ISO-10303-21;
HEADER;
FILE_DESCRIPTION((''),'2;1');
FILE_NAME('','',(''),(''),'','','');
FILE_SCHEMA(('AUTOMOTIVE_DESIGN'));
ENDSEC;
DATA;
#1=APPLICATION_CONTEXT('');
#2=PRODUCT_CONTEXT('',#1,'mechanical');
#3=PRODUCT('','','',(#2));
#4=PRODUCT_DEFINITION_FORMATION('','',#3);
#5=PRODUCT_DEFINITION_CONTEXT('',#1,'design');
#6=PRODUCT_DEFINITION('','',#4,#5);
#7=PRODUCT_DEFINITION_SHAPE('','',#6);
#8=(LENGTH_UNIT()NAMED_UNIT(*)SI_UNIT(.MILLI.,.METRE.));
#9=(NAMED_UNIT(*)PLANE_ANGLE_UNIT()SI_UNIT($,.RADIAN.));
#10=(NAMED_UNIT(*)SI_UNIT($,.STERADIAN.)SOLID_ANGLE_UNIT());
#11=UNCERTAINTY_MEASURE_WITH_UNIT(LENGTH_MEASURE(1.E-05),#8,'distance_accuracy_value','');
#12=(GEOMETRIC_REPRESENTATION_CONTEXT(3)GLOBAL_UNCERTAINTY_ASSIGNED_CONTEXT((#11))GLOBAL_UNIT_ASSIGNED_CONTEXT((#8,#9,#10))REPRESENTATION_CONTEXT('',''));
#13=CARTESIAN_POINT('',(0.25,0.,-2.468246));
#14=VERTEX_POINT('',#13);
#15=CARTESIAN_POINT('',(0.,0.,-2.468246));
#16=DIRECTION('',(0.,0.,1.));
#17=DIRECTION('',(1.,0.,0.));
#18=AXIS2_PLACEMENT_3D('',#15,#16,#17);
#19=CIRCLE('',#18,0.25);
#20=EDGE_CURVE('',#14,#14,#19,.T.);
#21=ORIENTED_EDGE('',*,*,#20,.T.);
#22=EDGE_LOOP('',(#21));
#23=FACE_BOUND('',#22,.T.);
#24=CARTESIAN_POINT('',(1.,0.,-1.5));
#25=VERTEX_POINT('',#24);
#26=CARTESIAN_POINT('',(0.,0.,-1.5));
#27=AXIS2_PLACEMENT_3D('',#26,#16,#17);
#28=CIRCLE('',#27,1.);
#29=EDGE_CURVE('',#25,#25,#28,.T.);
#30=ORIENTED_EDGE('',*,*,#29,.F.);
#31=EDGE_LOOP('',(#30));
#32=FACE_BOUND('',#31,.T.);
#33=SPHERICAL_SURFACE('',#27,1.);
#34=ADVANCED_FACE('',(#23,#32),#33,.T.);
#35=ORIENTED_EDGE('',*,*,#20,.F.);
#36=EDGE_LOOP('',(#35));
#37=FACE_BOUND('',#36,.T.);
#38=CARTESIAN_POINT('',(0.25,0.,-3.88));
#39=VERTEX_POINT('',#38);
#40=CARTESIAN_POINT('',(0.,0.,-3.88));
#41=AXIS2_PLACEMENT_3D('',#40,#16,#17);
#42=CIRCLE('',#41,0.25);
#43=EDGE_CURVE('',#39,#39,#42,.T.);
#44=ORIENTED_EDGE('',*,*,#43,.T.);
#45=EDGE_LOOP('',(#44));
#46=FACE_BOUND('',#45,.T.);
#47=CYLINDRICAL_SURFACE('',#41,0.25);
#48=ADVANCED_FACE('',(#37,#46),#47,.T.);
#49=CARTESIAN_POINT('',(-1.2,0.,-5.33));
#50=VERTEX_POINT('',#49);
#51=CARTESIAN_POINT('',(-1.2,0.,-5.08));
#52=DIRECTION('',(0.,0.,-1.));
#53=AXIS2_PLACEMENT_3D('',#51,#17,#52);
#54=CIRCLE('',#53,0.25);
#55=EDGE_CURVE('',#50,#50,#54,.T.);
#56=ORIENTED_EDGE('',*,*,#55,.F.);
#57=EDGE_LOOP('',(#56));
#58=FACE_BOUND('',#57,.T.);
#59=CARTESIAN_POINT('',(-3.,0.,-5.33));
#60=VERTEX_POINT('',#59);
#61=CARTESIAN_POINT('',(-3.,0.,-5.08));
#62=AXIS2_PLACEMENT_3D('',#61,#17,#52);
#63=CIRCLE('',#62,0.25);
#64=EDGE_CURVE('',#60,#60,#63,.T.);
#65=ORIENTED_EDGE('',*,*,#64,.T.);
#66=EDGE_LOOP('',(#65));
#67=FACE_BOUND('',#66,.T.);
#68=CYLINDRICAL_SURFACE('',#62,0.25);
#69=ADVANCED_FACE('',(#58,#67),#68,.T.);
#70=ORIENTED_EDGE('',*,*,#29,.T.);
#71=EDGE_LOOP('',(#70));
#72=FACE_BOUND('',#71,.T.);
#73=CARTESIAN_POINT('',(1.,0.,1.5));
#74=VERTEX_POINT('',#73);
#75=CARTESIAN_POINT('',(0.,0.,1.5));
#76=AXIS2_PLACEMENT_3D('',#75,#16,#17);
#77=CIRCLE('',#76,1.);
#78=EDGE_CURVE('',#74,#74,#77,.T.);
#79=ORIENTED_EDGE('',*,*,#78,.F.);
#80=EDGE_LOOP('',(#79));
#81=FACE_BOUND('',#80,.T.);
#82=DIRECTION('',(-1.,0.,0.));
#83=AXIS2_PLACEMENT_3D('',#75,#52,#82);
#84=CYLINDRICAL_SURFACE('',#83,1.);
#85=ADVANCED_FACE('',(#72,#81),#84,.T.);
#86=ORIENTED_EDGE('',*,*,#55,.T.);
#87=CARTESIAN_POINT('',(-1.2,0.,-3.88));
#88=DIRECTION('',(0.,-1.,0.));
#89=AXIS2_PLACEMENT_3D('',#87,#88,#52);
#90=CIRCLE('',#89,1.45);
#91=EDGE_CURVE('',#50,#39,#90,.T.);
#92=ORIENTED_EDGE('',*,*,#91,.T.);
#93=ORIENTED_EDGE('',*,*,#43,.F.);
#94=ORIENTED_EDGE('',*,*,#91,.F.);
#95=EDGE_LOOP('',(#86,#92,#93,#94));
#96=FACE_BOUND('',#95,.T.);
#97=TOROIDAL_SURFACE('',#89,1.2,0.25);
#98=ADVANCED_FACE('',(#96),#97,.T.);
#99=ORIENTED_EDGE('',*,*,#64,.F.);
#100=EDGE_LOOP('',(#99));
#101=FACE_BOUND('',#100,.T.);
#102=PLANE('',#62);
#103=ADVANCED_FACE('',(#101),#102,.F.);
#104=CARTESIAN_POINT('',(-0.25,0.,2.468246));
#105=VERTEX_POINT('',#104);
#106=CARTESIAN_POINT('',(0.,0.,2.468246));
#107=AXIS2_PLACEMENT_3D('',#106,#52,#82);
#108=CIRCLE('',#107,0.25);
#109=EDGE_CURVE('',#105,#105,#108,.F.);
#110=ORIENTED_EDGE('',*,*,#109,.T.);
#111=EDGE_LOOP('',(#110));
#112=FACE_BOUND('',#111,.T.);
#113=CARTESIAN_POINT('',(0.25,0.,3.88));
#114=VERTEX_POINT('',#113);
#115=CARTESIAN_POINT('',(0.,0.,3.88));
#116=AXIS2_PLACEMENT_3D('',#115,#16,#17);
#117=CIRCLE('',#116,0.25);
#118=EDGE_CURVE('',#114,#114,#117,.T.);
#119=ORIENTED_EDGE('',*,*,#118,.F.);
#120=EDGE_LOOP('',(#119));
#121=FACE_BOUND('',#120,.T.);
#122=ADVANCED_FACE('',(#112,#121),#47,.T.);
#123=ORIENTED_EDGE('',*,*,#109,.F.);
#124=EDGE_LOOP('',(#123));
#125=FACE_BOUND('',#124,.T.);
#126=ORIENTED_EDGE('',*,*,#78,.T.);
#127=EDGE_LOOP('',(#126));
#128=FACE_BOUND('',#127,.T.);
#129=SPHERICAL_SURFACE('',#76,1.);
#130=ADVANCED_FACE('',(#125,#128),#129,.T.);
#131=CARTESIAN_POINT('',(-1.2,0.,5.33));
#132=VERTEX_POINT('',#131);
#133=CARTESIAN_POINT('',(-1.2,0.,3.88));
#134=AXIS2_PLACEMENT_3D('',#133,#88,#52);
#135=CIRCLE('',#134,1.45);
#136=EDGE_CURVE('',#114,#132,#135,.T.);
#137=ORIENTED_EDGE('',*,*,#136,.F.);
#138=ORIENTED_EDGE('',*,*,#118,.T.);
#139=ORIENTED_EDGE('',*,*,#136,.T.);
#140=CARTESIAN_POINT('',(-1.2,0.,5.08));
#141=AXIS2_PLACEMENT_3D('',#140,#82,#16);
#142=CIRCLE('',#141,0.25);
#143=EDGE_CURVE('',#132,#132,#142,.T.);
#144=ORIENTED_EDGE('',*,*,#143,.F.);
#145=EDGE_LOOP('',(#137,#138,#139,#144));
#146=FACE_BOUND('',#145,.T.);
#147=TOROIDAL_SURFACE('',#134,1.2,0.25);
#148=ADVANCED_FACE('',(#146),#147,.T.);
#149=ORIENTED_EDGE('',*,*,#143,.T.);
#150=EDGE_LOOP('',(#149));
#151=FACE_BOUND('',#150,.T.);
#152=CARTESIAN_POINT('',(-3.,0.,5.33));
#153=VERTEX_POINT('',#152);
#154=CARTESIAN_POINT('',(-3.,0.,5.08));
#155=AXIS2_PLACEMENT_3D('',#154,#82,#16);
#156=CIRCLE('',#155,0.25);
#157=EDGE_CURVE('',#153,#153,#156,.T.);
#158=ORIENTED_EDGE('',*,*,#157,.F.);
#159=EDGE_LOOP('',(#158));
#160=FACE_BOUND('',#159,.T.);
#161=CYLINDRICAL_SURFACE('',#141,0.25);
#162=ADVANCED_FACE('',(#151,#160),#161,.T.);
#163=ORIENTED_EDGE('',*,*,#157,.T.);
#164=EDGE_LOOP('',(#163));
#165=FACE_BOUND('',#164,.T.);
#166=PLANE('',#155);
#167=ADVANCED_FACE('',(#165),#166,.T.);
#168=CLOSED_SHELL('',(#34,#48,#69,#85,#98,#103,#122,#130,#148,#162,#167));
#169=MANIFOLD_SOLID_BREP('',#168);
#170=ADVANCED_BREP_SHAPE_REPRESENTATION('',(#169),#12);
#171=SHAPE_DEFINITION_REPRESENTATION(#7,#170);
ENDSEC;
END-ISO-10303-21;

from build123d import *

# Parameters (mm, degrees)
SKETCH1_R           = 1
BOSS_EXTRUDE1_DEPTH = 1.5
DOME1_FACE_RADIUS   = 1
DOME1_HEIGHT        = 1
DOME2_FACE_RADIUS   = 1
DOME2_HEIGHT        = 1
SKETCH4_R           = 0.25


with BuildPart() as part:
    # Sketch1 → Boss-Extrude1 (new, symmetric)
    with BuildSketch(Plane.XY):
        Circle(SKETCH1_R)
    extrude(amount=BOSS_EXTRUDE1_DEPTH, both=True)

    # Dome1: a dome of height H over a round flat face of radius A is a cap of a sphere of radius (A * A + H * H) / (2 * H)
    dome1_r = (DOME1_FACE_RADIUS * DOME1_FACE_RADIUS + DOME1_HEIGHT * DOME1_HEIGHT) / (2 * DOME1_HEIGHT)
    dome1_base = Plane((0, 0, 1.5), z_dir=(0, 0, 1))
    with Locations(dome1_base.offset(DOME1_HEIGHT - dome1_r)):
        dome1_ball = Sphere(dome1_r, mode=Mode.PRIVATE)
    add(split(dome1_ball, bisect_by=dome1_base, keep=Keep.TOP, mode=Mode.PRIVATE))

    # Dome2: a dome of height H over a round flat face of radius A is a cap of a sphere of radius (A * A + H * H) / (2 * H)
    dome2_r = (DOME2_FACE_RADIUS * DOME2_FACE_RADIUS + DOME2_HEIGHT * DOME2_HEIGHT) / (2 * DOME2_HEIGHT)
    dome2_base = Plane((0, 0, -1.5), z_dir=(0, 0, -1))
    with Locations(dome2_base.offset(DOME2_HEIGHT - dome2_r)):
        dome2_ball = Sphere(dome2_r, mode=Mode.PRIVATE)
    add(split(dome2_ball, bisect_by=dome2_base, keep=Keep.TOP, mode=Mode.PRIVATE))

    # Sweep1: sweep along a path in Sketch3
    with BuildLine(Plane(origin=(0, 0, 0), x_dir=(1, 0, 0), z_dir=(0, 1, 0))) as sweep1_path:
        Line((-3, -5.08), (-1.2, -5.08))
        ThreePointArc((-1.2, -5.08), (-0.351471863, -4.728528137), (0, -3.88))
        Line((0, -3.88), (0, 3.88))
        ThreePointArc((0, 3.88), (-0.351471863, 4.728528137), (-1.2, 5.08))
        Line((-1.2, 5.08), (-3, 5.08))
    # Sketch4 → Sweep1 (sweep)
    with BuildSketch(Plane.XY):
        Circle(SKETCH4_R)
    sweep(path=sweep1_path.line)


solid = part.part
